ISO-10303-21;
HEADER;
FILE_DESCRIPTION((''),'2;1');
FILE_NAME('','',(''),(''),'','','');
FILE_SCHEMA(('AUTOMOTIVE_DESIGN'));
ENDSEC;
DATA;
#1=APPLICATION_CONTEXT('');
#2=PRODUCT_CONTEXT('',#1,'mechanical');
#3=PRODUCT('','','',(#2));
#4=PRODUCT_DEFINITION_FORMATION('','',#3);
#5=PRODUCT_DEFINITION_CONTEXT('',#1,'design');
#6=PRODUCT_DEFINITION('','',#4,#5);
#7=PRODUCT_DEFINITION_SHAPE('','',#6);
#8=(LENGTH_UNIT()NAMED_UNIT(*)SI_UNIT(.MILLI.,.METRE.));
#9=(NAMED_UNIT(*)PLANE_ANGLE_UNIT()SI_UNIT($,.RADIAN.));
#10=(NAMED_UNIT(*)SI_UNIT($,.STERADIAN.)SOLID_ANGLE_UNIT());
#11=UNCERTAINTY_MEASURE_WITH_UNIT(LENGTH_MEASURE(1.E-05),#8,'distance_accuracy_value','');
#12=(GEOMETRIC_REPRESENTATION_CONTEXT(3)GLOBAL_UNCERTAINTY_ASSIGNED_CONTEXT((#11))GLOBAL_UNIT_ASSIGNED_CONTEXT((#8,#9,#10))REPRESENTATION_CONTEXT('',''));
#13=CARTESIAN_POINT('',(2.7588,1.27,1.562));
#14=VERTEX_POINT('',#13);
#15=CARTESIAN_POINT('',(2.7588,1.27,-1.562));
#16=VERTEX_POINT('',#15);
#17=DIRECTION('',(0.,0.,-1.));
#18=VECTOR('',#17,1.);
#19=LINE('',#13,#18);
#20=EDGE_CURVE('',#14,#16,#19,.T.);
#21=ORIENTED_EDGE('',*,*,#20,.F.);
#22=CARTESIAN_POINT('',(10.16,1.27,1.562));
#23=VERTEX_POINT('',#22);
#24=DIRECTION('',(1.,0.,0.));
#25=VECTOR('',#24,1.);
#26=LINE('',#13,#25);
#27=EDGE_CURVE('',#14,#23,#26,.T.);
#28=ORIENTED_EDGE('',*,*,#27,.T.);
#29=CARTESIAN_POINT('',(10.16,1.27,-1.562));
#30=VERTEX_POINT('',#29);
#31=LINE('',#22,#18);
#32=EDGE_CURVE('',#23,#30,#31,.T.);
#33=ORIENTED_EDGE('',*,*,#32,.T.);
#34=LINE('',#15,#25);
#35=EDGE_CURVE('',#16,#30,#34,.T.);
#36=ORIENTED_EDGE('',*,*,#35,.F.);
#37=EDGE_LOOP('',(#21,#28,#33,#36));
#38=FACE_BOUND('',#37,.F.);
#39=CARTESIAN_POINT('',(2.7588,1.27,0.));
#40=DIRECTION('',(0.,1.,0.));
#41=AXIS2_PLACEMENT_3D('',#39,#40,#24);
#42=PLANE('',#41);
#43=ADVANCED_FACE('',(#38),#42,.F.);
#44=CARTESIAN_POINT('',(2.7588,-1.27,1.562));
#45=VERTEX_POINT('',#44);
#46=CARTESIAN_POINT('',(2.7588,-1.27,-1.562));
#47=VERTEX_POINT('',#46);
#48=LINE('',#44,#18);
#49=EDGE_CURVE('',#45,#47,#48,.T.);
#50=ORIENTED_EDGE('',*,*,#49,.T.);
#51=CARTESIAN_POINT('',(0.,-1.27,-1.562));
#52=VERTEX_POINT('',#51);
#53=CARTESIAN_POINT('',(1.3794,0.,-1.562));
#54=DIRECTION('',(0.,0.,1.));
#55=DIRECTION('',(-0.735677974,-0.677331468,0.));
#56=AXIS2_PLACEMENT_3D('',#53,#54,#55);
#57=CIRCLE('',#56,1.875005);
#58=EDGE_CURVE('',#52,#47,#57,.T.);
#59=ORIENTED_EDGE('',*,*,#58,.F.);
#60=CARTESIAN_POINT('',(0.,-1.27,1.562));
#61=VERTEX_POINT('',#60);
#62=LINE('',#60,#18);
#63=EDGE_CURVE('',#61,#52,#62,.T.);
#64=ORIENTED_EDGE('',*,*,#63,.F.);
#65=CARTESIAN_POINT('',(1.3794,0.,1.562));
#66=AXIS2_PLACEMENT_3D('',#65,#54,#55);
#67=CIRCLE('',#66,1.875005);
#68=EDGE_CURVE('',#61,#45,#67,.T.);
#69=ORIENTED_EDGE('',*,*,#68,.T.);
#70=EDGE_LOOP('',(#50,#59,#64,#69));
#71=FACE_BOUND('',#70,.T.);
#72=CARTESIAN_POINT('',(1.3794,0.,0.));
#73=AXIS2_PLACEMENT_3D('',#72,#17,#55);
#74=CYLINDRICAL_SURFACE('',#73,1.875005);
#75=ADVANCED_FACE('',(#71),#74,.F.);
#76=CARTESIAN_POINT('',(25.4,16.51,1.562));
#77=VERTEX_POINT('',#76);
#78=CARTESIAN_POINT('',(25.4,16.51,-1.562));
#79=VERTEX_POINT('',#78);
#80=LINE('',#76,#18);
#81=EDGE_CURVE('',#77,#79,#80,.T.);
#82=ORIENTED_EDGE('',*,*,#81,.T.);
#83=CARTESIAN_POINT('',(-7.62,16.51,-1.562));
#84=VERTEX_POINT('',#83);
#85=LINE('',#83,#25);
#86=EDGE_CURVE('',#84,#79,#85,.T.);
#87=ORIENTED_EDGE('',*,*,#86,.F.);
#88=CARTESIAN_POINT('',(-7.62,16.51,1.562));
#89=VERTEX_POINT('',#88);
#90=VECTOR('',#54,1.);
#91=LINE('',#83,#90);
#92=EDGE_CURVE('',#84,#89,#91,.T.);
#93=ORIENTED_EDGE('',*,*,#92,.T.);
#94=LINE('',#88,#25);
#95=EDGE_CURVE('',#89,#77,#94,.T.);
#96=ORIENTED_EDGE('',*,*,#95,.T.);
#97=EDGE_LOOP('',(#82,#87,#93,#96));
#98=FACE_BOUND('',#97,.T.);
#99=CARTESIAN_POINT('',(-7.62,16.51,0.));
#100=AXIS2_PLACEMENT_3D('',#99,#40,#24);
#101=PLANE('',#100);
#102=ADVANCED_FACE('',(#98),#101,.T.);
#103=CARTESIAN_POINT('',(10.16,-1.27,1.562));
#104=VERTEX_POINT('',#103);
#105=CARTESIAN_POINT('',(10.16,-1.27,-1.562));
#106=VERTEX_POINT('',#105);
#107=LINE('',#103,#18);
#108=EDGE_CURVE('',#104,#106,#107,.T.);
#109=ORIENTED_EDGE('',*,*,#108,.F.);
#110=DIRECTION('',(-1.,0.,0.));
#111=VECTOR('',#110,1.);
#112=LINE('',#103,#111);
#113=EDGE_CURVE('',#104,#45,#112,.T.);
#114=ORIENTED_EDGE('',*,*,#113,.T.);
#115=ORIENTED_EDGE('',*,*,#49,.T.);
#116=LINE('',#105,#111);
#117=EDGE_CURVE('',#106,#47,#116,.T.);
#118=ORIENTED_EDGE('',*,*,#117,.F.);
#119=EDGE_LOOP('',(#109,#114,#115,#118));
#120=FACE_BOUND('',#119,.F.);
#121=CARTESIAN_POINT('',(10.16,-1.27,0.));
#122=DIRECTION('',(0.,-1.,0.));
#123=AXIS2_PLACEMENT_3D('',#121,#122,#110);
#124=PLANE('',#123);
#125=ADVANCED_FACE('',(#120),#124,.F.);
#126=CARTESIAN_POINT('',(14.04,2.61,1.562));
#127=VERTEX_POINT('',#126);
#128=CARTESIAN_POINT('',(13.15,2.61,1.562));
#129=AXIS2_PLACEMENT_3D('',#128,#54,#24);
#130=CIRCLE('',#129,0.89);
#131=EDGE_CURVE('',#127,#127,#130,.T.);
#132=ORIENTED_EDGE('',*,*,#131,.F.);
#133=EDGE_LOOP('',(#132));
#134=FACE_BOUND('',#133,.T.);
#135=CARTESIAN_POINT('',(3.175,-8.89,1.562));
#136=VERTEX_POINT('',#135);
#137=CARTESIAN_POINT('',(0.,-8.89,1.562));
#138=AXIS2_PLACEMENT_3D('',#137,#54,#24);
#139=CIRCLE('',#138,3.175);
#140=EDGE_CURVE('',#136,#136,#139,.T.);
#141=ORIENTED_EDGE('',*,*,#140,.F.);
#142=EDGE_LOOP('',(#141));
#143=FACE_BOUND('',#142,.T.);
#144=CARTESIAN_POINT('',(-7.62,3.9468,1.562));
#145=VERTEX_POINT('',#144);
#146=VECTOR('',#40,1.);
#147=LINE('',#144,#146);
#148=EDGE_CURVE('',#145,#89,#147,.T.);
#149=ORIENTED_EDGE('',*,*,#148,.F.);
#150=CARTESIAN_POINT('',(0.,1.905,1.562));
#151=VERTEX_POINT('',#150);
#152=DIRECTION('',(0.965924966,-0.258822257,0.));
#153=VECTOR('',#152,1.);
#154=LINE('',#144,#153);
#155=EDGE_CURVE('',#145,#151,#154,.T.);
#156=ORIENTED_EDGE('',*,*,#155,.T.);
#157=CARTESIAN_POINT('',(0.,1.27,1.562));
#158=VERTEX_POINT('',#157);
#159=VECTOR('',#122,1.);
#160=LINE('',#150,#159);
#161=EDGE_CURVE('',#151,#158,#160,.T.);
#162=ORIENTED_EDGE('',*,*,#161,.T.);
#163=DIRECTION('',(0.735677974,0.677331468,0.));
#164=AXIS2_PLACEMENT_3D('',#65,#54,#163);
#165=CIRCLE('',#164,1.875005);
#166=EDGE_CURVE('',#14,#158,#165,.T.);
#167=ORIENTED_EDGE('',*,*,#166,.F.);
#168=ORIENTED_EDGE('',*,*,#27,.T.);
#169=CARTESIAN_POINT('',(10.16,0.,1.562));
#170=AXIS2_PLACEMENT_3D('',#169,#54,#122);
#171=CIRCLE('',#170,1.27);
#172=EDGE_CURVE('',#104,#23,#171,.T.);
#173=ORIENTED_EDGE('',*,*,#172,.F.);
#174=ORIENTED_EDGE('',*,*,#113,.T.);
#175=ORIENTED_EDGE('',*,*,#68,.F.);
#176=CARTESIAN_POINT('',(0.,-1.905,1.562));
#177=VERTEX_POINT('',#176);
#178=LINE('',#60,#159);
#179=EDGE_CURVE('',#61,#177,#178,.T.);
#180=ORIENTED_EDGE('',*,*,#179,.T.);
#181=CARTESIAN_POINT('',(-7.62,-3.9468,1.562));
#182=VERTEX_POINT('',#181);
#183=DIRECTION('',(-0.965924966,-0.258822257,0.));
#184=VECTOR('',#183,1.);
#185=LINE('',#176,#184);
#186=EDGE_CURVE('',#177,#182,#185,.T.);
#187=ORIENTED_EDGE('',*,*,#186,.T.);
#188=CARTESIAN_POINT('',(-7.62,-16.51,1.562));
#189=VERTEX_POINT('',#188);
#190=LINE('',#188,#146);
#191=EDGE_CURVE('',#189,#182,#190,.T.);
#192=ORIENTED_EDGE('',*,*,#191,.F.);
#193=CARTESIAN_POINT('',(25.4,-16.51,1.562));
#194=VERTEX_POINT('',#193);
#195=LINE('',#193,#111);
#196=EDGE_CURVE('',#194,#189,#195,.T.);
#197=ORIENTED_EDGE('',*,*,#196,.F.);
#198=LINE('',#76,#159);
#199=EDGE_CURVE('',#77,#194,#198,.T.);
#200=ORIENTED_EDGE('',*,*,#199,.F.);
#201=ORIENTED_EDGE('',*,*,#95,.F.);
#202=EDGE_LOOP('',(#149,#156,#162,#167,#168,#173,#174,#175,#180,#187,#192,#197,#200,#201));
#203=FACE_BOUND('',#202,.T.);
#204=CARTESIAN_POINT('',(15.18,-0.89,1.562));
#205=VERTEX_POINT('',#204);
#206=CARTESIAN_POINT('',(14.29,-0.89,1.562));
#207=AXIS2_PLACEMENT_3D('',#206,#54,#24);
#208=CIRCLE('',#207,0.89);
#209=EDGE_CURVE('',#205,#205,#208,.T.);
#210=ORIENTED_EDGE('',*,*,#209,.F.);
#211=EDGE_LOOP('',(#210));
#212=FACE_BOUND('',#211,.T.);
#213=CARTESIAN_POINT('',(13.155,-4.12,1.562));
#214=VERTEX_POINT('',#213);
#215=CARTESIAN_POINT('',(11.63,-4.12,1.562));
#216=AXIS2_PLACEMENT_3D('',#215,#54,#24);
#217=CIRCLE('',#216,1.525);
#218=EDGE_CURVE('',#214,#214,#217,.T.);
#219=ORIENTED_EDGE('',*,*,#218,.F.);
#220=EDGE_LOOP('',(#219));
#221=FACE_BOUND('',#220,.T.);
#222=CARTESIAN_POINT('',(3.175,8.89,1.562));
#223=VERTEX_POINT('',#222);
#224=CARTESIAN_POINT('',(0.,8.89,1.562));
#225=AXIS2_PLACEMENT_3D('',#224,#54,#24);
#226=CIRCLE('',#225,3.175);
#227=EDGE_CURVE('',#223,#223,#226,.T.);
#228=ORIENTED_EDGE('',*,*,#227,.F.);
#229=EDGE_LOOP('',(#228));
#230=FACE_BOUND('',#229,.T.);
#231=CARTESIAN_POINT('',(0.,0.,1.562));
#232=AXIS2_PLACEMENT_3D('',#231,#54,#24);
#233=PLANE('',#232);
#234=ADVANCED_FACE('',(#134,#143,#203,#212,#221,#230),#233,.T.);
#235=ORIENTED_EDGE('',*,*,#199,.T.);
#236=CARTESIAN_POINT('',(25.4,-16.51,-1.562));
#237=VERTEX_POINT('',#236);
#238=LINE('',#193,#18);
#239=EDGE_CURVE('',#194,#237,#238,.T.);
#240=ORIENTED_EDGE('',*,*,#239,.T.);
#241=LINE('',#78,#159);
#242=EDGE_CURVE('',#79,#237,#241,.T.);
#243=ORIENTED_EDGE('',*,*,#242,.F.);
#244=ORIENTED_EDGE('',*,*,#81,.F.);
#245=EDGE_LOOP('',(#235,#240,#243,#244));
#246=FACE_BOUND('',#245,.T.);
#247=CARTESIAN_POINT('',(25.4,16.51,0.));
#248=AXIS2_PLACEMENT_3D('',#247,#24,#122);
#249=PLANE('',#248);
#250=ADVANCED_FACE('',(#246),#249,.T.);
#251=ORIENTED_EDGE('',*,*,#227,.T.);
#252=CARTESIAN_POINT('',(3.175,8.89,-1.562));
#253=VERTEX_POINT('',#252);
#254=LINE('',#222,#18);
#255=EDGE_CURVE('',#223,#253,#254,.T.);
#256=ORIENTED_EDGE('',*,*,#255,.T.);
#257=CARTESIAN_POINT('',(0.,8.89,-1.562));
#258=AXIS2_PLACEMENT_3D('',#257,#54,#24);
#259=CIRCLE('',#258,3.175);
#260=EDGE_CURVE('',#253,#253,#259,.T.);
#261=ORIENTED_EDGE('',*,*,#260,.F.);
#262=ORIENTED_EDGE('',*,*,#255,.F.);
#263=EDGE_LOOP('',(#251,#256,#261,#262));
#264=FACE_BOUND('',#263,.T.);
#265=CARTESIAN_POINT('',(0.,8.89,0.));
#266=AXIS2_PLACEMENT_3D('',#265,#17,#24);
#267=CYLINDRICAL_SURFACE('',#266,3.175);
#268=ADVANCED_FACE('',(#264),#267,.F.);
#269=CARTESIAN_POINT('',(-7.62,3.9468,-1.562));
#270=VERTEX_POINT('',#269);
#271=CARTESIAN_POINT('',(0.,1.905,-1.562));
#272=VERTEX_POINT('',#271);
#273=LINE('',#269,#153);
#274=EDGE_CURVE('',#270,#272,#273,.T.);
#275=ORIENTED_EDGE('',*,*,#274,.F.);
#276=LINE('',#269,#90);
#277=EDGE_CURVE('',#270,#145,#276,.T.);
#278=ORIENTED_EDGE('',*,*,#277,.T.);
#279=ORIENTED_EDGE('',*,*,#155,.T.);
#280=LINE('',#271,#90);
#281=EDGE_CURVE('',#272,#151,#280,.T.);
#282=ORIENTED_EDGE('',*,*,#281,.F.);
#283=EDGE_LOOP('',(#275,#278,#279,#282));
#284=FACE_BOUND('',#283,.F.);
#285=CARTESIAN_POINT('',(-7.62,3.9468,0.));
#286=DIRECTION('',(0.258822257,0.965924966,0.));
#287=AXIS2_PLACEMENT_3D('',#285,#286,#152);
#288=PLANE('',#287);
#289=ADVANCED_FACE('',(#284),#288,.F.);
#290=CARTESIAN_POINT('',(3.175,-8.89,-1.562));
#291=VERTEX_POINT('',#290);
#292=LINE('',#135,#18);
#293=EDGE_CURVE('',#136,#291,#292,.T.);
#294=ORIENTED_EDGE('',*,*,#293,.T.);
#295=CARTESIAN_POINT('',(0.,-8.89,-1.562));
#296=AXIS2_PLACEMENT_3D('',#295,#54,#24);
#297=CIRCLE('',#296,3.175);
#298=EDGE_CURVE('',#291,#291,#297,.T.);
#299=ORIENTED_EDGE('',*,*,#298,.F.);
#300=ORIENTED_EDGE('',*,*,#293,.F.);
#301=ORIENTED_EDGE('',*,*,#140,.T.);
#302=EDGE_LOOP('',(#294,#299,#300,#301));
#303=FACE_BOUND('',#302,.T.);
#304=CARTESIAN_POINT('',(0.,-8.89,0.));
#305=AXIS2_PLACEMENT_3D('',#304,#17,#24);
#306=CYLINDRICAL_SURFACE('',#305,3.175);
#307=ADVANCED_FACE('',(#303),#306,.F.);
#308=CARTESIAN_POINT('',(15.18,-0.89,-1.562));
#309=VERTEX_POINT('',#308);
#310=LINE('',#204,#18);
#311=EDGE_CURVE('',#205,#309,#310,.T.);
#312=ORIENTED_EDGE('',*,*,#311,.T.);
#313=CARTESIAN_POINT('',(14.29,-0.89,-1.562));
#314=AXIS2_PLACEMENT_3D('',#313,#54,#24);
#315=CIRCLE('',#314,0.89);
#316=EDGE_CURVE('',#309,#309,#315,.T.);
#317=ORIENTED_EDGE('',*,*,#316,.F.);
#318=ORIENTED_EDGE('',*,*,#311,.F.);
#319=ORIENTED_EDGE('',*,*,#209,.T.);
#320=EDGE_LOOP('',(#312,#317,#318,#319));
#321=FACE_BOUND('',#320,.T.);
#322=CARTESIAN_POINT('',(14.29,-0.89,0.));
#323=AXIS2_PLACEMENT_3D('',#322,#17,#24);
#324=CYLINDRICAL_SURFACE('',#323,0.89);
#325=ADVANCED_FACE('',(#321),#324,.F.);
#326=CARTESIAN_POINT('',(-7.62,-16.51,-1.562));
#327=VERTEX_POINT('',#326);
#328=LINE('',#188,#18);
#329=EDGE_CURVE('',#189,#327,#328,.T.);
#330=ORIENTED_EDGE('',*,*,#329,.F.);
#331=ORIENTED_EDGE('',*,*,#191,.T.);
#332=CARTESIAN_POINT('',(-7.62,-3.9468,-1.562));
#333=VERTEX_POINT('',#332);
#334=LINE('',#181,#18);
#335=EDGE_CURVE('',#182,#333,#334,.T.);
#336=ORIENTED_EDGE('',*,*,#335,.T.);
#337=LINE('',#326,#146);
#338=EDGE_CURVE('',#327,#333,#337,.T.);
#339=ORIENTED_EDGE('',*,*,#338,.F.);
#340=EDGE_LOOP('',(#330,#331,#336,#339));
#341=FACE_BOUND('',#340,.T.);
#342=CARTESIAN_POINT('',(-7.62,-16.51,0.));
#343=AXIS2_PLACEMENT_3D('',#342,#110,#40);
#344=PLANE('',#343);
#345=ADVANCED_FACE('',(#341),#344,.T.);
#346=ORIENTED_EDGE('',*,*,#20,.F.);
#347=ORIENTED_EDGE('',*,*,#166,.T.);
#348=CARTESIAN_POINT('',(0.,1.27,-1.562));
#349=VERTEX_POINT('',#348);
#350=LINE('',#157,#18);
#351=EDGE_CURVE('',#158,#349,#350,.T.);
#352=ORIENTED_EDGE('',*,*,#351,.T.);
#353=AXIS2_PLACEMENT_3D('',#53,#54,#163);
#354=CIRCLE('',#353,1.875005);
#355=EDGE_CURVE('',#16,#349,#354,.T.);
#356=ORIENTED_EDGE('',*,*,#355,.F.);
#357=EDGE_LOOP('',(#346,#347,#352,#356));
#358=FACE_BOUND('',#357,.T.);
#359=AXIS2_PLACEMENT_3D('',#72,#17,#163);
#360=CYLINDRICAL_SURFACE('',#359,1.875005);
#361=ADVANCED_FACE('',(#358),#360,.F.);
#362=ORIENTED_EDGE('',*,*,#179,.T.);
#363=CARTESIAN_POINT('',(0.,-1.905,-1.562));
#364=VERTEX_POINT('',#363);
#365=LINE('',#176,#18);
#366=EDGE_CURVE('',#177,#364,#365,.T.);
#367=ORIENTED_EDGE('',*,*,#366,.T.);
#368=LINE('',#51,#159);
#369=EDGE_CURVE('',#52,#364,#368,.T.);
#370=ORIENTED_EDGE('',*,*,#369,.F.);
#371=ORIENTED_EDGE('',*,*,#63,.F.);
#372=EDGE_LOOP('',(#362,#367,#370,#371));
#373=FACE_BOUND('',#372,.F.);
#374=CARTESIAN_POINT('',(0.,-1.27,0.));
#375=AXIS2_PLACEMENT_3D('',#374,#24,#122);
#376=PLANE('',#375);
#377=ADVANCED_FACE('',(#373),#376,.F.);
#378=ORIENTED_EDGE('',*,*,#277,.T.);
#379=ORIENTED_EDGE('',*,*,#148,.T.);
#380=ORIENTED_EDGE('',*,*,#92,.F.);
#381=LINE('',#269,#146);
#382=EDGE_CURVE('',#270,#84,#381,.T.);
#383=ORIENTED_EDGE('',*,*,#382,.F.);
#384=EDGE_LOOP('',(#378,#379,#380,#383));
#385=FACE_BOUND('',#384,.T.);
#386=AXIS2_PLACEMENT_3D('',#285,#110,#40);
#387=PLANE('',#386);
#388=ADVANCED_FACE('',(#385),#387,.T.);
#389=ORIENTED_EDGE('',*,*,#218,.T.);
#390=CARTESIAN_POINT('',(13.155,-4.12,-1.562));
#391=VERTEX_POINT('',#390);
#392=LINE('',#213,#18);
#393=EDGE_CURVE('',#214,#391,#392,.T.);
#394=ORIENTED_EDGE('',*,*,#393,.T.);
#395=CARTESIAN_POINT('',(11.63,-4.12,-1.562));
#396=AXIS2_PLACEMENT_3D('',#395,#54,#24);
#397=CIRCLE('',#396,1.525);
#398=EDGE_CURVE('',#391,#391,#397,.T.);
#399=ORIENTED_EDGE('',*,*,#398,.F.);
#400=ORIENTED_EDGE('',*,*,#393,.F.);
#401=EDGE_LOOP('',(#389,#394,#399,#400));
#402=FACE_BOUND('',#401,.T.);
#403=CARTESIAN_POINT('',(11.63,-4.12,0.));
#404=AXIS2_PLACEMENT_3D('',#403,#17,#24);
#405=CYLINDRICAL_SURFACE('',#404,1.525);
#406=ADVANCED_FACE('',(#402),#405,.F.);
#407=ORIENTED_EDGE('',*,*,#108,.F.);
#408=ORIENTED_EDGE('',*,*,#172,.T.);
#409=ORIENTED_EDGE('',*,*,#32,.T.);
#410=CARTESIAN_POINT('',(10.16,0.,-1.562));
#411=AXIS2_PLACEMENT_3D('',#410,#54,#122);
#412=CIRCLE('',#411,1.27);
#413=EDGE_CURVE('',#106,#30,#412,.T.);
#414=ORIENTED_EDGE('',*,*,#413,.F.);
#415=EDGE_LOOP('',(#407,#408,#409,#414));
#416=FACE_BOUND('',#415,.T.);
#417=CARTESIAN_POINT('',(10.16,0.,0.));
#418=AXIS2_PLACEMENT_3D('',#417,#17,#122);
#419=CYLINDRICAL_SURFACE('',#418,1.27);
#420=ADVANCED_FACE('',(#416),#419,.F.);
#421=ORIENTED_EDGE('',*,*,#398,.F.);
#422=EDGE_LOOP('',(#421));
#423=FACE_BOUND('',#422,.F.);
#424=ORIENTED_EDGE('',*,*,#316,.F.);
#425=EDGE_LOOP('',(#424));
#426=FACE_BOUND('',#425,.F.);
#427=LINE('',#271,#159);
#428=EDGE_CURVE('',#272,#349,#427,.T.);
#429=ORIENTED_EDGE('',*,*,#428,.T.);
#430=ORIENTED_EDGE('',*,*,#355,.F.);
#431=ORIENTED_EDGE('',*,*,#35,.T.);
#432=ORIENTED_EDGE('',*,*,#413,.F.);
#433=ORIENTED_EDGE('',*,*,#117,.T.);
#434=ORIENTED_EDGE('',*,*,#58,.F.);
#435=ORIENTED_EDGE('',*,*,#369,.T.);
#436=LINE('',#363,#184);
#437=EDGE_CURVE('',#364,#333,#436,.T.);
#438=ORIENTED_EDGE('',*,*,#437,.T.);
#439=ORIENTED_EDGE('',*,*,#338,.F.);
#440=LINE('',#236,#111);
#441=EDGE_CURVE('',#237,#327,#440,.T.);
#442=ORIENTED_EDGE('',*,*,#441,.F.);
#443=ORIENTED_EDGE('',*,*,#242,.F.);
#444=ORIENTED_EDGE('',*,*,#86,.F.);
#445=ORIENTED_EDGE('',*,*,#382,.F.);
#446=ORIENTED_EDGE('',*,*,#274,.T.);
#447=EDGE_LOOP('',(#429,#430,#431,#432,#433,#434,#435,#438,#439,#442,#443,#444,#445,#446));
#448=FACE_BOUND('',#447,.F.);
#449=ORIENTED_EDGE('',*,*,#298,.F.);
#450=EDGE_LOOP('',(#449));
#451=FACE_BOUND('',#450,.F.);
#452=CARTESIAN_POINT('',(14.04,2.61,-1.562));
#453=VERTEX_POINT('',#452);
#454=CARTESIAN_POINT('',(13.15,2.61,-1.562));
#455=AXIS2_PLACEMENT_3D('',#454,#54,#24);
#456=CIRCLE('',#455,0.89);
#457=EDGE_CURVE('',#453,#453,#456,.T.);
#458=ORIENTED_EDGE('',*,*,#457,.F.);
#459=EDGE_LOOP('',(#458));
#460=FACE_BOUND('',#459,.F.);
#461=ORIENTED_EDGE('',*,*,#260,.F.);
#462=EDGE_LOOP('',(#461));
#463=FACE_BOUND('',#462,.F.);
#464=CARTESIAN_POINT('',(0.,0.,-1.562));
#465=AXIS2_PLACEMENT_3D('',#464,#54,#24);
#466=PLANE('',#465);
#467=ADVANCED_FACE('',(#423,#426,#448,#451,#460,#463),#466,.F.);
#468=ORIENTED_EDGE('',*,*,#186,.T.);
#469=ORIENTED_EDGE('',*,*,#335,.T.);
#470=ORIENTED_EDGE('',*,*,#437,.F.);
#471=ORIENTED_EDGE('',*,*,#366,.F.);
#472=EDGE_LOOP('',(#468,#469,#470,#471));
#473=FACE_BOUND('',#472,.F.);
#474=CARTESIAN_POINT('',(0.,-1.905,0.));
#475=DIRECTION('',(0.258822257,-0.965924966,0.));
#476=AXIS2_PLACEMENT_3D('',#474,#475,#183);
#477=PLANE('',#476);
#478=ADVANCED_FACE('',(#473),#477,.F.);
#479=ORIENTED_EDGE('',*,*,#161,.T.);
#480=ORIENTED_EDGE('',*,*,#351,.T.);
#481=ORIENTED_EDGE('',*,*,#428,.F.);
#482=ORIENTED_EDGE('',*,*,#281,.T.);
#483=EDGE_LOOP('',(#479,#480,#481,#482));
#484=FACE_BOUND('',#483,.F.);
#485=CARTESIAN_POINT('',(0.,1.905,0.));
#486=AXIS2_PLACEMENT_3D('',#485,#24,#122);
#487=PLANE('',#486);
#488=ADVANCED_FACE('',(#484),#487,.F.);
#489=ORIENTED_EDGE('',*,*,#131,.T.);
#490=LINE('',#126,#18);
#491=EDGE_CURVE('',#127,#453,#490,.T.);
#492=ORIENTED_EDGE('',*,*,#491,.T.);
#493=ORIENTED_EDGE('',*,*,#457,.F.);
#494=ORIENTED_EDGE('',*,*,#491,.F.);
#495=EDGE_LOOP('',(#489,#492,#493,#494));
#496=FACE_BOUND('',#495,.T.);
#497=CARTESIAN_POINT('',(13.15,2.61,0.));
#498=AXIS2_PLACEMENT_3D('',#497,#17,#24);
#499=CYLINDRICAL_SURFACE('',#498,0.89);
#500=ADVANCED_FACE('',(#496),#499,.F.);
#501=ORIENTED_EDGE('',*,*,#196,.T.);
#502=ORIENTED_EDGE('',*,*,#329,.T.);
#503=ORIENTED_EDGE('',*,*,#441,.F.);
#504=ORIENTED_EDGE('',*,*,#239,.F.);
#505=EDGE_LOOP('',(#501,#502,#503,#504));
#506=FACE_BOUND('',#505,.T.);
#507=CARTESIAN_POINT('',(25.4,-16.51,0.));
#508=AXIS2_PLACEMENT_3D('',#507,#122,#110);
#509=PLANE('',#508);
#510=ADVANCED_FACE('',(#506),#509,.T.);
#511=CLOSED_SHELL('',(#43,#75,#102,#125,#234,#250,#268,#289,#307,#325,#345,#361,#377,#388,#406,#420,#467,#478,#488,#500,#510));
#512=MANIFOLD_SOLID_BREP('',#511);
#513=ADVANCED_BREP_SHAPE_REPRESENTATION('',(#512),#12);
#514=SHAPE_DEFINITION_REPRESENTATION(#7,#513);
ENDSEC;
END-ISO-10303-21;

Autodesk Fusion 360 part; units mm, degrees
sketch "Sketch1" plane through (0, 0, 0) normal (0, 0, 1) x (1, 0, 0)
  line L0 (-7.62, 16.51) -> (25.4, 16.51)
  line L1 (25.4, 16.51) -> (25.4, -16.51)
  line L2 (25.4, -16.51) -> (-7.62, -16.51)
  circle A0 centre (0, 8.89) radius 3.175
  circle A1 centre (0, -8.89) radius 3.175
  circle A2 centre (13.15, 2.61) radius 0.89
  circle A3 centre (14.29, -0.89) radius 0.89
  circle A4 centre (11.63, -4.12) radius 1.525
  line L3 (-7.62, 3.9468) -> (0, 1.905)
  line L4 (2.7588, 1.27) -> (10.16, 1.27)
  arc A5 (10.16, -1.27) -> (10.16, 1.27) centre (10.16, 0) ccw
  line L5 (10.16, -1.27) -> (2.7588, -1.27)
  arc A6 (0, -1.27) -> (2.7588, -1.27) centre (1.3794, 0) ccw
  line L6 (0, -1.27) -> (0, -1.905)
  line L7 (0, -1.905) -> (-7.62, -3.9468)
  line L8 (-7.62, -16.51) -> (-7.62, -3.9468)
  line L9 (-7.62, 3.9468) -> (-7.62, 16.51)
  line L10 (0, 110) -> (0, -80) construction
  line L11 (11.43, -80) -> (11.43, 100) construction
  line L12 (-90, 0) -> (-86.3571, 0) construction
  line L13 (-86.3571, 0) -> (70, 0) construction
  line L14 (0, 1.905) -> (0, 1.27)
  arc A7 (2.7588, 1.27) -> (0, 1.27) centre (1.3794, 0) ccw
  dimension "d1" = 6.35
  dimension "d2" = 7.62
  dimension "d3" = 7.62
  dimension "d4" = 33.02
  dimension "d5" = 1.27
  dimension "d6" = 19.05
  dimension "d10" = 15
  dimension "d11" = 1.905
  dimension "d12" = 1.905
  dimension "d14" = 7.62
  dimension "d15" = 1.78
  dimension "d16" = 1.78
  dimension "d17" = 3.05
  dimension "d18" = 12.39
  dimension "d19" = 13.77
  dimension "d20" = 11.11
  dimension "d21" = 15.62
  dimension "d22" = 12.25
  dimension "d23" = 13.9
  dimension "d24" = 33.02
  dimension "d26" = 1.875
  dimension "d27" = 15
  dimension "d28" = 2.54
extrude "Extrude1" add sketch "Sketch1" along normal mid plane 3.124
